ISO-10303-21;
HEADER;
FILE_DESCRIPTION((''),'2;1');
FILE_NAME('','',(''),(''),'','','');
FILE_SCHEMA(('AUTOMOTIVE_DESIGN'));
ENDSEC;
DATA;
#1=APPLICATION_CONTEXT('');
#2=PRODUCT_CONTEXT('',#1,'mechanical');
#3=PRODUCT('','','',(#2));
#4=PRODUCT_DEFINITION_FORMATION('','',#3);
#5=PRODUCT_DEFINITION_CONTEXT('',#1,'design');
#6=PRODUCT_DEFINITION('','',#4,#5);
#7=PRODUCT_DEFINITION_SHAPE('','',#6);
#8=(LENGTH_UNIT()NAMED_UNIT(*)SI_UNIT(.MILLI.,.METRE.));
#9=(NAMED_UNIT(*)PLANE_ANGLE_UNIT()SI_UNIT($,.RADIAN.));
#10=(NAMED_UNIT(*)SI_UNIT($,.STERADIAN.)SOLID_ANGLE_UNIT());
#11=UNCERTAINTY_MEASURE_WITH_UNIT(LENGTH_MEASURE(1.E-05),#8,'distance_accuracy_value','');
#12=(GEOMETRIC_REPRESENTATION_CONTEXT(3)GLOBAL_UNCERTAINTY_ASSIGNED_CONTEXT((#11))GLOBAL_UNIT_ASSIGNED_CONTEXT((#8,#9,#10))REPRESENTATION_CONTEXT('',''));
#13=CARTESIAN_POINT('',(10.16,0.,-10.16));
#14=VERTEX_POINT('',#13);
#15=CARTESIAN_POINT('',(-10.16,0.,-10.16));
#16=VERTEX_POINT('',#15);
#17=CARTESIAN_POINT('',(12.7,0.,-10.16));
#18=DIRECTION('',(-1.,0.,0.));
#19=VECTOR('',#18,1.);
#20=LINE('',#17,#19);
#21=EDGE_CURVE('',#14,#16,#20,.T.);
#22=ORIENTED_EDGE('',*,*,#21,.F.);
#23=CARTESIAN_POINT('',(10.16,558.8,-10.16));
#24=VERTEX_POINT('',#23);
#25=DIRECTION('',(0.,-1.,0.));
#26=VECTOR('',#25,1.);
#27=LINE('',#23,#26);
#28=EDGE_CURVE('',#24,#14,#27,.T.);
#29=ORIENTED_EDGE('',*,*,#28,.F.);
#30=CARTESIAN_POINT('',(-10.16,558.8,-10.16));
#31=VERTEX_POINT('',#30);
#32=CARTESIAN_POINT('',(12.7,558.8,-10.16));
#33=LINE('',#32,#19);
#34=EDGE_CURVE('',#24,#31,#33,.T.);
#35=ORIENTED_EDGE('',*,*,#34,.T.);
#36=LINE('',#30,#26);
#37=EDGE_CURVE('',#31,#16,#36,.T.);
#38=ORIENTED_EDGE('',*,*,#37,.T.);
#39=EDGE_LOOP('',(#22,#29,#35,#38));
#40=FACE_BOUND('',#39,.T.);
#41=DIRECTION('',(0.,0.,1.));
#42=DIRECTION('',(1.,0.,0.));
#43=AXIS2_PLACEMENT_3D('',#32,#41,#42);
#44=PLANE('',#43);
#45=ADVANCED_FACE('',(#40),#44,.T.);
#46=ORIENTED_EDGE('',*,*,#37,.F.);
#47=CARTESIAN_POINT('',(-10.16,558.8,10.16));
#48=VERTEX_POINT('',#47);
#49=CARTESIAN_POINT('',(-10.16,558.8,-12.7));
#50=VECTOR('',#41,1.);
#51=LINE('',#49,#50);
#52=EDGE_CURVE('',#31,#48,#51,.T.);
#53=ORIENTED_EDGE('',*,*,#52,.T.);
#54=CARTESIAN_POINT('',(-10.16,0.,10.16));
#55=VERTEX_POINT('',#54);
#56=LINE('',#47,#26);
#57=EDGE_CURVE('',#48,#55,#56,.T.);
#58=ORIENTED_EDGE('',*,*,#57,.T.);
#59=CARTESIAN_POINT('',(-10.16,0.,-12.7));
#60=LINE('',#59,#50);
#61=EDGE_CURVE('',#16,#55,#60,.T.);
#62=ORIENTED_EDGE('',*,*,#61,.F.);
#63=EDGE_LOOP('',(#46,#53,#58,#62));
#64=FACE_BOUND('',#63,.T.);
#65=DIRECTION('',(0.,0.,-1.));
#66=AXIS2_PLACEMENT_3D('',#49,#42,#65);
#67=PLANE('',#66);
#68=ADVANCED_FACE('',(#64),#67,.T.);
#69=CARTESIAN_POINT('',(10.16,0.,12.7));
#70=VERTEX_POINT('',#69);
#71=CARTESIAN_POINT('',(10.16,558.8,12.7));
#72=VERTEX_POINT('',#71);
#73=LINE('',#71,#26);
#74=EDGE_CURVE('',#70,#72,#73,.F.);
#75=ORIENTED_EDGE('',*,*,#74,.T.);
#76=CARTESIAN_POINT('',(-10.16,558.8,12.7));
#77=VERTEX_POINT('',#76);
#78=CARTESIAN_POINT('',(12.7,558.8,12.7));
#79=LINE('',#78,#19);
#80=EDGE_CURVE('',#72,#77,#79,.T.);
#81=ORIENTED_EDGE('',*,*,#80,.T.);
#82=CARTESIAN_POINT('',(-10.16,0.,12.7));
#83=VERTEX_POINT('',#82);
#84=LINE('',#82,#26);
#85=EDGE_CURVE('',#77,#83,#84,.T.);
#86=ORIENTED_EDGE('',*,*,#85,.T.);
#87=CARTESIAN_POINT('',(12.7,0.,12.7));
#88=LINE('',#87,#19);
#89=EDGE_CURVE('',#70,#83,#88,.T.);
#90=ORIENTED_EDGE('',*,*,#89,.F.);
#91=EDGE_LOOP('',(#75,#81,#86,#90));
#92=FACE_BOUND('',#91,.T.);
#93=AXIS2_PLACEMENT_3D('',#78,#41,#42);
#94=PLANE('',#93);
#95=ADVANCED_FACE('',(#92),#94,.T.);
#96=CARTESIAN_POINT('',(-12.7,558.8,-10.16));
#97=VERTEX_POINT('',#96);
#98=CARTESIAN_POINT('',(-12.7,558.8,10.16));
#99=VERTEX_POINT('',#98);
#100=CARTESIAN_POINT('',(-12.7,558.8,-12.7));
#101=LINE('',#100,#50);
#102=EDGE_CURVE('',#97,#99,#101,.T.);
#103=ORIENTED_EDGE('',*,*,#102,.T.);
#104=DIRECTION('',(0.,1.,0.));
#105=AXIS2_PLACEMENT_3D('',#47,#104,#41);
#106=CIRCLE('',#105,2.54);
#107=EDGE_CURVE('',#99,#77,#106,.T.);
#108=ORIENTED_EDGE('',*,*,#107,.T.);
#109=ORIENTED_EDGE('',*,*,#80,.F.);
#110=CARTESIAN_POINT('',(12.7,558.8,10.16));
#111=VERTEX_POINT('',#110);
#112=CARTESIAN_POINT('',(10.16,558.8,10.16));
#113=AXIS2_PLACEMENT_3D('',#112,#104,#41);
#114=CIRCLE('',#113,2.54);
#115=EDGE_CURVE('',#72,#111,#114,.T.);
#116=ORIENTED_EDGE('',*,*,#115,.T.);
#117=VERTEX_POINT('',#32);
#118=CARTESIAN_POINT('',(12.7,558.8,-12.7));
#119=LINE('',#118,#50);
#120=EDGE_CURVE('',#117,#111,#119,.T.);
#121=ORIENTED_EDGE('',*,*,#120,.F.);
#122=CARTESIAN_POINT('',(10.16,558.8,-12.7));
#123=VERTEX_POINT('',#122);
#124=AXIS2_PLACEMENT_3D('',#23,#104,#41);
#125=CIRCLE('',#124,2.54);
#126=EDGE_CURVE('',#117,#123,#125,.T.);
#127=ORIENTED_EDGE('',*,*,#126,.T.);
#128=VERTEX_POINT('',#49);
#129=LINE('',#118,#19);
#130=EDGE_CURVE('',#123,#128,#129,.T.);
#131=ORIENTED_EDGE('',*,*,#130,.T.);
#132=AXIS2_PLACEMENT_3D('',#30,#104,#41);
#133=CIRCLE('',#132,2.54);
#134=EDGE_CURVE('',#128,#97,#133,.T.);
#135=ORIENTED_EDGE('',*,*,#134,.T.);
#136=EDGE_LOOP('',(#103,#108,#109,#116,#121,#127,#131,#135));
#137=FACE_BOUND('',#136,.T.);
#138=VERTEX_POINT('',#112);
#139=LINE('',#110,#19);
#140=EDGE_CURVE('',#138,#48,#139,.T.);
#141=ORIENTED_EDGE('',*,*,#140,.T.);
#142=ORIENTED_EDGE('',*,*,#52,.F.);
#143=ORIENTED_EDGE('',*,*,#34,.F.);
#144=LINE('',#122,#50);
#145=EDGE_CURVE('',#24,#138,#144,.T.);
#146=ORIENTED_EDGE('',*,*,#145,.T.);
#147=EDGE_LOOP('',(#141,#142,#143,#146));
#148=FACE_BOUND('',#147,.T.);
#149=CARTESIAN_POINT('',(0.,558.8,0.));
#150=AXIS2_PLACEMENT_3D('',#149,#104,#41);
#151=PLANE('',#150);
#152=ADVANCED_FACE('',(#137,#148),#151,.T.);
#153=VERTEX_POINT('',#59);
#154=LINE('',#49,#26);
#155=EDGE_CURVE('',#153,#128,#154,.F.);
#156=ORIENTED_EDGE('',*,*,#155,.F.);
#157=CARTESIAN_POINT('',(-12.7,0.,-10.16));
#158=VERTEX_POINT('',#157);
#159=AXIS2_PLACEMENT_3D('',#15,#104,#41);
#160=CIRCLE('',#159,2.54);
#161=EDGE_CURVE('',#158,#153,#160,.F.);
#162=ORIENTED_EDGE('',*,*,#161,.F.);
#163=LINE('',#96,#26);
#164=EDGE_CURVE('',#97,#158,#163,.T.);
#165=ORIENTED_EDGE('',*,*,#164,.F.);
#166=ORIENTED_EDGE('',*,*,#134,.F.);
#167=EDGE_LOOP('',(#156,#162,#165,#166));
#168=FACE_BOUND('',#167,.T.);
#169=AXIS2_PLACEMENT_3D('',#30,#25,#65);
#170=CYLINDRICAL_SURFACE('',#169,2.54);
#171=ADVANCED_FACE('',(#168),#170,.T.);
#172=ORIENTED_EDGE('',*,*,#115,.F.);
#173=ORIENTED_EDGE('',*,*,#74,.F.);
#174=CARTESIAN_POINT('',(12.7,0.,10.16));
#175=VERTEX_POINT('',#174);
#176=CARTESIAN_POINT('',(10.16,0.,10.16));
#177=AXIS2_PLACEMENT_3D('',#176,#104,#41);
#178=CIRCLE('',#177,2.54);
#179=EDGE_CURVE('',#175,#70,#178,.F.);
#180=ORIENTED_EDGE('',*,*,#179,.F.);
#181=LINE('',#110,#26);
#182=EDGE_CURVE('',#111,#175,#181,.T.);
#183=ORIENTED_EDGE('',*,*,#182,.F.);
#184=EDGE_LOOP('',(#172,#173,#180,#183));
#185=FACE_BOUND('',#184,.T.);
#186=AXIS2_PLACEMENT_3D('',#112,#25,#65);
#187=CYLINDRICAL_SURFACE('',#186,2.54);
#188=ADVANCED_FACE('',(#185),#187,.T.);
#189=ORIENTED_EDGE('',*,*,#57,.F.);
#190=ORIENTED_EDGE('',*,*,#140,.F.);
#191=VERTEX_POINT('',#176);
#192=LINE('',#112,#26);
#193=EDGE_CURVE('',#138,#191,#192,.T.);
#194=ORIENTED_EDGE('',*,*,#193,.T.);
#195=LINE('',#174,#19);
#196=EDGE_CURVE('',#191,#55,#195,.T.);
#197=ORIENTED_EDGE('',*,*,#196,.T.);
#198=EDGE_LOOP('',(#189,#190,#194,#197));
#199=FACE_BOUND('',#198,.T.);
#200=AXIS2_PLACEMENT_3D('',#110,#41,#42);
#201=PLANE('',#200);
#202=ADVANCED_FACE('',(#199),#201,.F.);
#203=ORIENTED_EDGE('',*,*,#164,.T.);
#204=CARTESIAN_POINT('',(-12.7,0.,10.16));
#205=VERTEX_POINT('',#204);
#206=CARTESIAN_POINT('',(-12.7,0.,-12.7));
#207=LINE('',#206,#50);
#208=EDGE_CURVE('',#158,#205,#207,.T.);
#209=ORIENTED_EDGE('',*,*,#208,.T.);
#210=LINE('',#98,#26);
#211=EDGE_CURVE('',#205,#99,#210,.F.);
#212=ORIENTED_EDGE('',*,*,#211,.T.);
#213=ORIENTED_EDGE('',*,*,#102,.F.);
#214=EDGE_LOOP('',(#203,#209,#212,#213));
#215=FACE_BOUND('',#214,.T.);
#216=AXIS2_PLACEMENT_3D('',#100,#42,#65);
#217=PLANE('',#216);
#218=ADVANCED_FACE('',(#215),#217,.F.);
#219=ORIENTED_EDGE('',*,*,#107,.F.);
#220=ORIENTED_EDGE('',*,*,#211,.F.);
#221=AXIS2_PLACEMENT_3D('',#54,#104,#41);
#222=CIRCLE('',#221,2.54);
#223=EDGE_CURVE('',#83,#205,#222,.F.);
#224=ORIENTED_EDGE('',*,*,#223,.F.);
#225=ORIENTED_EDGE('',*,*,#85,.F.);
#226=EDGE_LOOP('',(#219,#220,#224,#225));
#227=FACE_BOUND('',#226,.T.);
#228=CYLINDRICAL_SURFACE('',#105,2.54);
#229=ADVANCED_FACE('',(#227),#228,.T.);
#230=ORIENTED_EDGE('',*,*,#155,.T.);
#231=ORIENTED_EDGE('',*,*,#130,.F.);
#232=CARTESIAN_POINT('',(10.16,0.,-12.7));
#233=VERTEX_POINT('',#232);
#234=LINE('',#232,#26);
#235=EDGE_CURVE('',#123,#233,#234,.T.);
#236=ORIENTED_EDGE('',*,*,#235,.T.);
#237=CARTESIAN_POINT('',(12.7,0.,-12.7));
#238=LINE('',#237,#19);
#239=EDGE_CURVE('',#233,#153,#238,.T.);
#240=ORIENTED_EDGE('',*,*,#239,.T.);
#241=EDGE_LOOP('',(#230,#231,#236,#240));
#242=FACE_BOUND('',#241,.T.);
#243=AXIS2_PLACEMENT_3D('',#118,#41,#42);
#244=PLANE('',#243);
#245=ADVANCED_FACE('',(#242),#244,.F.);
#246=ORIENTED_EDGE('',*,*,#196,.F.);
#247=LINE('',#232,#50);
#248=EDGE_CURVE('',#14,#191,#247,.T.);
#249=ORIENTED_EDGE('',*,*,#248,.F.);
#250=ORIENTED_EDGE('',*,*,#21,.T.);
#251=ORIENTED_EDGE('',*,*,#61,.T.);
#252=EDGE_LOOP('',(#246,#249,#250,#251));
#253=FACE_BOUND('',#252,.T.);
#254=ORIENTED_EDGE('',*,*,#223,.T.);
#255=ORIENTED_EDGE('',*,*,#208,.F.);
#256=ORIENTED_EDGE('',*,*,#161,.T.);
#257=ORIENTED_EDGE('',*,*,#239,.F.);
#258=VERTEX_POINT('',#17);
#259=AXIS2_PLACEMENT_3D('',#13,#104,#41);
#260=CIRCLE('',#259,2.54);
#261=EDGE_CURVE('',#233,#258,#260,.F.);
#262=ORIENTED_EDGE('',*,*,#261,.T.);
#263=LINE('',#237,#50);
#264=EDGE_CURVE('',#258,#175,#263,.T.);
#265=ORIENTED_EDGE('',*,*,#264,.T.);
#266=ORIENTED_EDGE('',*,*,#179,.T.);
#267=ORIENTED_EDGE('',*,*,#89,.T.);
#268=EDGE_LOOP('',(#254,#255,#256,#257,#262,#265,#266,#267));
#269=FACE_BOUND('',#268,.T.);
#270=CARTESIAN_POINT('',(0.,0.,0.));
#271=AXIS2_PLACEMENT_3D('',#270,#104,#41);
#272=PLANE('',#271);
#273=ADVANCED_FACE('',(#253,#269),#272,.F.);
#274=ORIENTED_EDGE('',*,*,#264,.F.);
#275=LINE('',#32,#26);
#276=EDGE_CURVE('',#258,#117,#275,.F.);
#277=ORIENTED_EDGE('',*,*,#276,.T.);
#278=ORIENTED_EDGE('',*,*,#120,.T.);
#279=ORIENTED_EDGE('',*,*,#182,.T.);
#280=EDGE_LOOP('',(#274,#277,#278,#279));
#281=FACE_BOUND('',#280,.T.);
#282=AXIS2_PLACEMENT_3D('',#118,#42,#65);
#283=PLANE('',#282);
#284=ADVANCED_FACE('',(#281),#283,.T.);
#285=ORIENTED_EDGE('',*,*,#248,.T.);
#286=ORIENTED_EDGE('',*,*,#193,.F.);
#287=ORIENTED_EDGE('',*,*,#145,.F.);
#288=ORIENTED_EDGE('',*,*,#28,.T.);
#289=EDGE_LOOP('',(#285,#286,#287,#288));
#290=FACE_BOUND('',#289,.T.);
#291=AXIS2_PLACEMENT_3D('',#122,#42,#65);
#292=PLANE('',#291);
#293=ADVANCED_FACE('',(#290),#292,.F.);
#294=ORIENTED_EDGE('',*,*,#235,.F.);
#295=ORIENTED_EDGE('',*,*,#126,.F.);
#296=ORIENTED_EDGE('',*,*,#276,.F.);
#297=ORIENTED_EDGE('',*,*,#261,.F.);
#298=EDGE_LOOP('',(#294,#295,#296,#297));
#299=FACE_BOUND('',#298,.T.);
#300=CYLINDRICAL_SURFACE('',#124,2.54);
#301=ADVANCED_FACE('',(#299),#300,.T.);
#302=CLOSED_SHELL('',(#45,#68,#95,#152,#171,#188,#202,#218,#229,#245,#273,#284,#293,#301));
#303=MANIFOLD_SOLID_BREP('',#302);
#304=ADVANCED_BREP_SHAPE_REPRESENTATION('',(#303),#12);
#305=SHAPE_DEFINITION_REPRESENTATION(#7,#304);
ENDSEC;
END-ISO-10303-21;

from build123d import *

# Parameters (mm, degrees)
SKETCH4_W           = 25.4
SKETCH4_H           = 25.4
BOSS_EXTRUDE6_DEPTH = 558.8
SHELL1_T            = -2.54
FILLET1_R           = 2.54


with BuildPart() as part:
    # Sketch4 → Boss-Extrude6 (new body)
    with BuildSketch(Plane(origin=(0, 0, 0), x_dir=(1, 0, 0), z_dir=(0, 1, 0))):
        Rectangle(SKETCH4_W, SKETCH4_H)
    extrude(amount=BOSS_EXTRUDE6_DEPTH)

    # Shell1
    shell1_openings = [part.faces().sort_by_distance(p)[0] for p in [
        (0, 558.8, 0),
        (0, 0, 0),
    ]]
    offset(amount=SHELL1_T, openings=shell1_openings, kind=Kind.INTERSECTION)

    # Fillet1
    fillet1_edges = [part.edges().sort_by_distance(p)[0] for p in [
        (12.7, 279.4, -12.7),
        (12.7, 279.4, 12.7),
        (-12.7, 279.4, 12.7),
        (-12.7, 279.4, -12.7),
    ]]
    fillet(fillet1_edges, radius=FILLET1_R)


solid = part.part
